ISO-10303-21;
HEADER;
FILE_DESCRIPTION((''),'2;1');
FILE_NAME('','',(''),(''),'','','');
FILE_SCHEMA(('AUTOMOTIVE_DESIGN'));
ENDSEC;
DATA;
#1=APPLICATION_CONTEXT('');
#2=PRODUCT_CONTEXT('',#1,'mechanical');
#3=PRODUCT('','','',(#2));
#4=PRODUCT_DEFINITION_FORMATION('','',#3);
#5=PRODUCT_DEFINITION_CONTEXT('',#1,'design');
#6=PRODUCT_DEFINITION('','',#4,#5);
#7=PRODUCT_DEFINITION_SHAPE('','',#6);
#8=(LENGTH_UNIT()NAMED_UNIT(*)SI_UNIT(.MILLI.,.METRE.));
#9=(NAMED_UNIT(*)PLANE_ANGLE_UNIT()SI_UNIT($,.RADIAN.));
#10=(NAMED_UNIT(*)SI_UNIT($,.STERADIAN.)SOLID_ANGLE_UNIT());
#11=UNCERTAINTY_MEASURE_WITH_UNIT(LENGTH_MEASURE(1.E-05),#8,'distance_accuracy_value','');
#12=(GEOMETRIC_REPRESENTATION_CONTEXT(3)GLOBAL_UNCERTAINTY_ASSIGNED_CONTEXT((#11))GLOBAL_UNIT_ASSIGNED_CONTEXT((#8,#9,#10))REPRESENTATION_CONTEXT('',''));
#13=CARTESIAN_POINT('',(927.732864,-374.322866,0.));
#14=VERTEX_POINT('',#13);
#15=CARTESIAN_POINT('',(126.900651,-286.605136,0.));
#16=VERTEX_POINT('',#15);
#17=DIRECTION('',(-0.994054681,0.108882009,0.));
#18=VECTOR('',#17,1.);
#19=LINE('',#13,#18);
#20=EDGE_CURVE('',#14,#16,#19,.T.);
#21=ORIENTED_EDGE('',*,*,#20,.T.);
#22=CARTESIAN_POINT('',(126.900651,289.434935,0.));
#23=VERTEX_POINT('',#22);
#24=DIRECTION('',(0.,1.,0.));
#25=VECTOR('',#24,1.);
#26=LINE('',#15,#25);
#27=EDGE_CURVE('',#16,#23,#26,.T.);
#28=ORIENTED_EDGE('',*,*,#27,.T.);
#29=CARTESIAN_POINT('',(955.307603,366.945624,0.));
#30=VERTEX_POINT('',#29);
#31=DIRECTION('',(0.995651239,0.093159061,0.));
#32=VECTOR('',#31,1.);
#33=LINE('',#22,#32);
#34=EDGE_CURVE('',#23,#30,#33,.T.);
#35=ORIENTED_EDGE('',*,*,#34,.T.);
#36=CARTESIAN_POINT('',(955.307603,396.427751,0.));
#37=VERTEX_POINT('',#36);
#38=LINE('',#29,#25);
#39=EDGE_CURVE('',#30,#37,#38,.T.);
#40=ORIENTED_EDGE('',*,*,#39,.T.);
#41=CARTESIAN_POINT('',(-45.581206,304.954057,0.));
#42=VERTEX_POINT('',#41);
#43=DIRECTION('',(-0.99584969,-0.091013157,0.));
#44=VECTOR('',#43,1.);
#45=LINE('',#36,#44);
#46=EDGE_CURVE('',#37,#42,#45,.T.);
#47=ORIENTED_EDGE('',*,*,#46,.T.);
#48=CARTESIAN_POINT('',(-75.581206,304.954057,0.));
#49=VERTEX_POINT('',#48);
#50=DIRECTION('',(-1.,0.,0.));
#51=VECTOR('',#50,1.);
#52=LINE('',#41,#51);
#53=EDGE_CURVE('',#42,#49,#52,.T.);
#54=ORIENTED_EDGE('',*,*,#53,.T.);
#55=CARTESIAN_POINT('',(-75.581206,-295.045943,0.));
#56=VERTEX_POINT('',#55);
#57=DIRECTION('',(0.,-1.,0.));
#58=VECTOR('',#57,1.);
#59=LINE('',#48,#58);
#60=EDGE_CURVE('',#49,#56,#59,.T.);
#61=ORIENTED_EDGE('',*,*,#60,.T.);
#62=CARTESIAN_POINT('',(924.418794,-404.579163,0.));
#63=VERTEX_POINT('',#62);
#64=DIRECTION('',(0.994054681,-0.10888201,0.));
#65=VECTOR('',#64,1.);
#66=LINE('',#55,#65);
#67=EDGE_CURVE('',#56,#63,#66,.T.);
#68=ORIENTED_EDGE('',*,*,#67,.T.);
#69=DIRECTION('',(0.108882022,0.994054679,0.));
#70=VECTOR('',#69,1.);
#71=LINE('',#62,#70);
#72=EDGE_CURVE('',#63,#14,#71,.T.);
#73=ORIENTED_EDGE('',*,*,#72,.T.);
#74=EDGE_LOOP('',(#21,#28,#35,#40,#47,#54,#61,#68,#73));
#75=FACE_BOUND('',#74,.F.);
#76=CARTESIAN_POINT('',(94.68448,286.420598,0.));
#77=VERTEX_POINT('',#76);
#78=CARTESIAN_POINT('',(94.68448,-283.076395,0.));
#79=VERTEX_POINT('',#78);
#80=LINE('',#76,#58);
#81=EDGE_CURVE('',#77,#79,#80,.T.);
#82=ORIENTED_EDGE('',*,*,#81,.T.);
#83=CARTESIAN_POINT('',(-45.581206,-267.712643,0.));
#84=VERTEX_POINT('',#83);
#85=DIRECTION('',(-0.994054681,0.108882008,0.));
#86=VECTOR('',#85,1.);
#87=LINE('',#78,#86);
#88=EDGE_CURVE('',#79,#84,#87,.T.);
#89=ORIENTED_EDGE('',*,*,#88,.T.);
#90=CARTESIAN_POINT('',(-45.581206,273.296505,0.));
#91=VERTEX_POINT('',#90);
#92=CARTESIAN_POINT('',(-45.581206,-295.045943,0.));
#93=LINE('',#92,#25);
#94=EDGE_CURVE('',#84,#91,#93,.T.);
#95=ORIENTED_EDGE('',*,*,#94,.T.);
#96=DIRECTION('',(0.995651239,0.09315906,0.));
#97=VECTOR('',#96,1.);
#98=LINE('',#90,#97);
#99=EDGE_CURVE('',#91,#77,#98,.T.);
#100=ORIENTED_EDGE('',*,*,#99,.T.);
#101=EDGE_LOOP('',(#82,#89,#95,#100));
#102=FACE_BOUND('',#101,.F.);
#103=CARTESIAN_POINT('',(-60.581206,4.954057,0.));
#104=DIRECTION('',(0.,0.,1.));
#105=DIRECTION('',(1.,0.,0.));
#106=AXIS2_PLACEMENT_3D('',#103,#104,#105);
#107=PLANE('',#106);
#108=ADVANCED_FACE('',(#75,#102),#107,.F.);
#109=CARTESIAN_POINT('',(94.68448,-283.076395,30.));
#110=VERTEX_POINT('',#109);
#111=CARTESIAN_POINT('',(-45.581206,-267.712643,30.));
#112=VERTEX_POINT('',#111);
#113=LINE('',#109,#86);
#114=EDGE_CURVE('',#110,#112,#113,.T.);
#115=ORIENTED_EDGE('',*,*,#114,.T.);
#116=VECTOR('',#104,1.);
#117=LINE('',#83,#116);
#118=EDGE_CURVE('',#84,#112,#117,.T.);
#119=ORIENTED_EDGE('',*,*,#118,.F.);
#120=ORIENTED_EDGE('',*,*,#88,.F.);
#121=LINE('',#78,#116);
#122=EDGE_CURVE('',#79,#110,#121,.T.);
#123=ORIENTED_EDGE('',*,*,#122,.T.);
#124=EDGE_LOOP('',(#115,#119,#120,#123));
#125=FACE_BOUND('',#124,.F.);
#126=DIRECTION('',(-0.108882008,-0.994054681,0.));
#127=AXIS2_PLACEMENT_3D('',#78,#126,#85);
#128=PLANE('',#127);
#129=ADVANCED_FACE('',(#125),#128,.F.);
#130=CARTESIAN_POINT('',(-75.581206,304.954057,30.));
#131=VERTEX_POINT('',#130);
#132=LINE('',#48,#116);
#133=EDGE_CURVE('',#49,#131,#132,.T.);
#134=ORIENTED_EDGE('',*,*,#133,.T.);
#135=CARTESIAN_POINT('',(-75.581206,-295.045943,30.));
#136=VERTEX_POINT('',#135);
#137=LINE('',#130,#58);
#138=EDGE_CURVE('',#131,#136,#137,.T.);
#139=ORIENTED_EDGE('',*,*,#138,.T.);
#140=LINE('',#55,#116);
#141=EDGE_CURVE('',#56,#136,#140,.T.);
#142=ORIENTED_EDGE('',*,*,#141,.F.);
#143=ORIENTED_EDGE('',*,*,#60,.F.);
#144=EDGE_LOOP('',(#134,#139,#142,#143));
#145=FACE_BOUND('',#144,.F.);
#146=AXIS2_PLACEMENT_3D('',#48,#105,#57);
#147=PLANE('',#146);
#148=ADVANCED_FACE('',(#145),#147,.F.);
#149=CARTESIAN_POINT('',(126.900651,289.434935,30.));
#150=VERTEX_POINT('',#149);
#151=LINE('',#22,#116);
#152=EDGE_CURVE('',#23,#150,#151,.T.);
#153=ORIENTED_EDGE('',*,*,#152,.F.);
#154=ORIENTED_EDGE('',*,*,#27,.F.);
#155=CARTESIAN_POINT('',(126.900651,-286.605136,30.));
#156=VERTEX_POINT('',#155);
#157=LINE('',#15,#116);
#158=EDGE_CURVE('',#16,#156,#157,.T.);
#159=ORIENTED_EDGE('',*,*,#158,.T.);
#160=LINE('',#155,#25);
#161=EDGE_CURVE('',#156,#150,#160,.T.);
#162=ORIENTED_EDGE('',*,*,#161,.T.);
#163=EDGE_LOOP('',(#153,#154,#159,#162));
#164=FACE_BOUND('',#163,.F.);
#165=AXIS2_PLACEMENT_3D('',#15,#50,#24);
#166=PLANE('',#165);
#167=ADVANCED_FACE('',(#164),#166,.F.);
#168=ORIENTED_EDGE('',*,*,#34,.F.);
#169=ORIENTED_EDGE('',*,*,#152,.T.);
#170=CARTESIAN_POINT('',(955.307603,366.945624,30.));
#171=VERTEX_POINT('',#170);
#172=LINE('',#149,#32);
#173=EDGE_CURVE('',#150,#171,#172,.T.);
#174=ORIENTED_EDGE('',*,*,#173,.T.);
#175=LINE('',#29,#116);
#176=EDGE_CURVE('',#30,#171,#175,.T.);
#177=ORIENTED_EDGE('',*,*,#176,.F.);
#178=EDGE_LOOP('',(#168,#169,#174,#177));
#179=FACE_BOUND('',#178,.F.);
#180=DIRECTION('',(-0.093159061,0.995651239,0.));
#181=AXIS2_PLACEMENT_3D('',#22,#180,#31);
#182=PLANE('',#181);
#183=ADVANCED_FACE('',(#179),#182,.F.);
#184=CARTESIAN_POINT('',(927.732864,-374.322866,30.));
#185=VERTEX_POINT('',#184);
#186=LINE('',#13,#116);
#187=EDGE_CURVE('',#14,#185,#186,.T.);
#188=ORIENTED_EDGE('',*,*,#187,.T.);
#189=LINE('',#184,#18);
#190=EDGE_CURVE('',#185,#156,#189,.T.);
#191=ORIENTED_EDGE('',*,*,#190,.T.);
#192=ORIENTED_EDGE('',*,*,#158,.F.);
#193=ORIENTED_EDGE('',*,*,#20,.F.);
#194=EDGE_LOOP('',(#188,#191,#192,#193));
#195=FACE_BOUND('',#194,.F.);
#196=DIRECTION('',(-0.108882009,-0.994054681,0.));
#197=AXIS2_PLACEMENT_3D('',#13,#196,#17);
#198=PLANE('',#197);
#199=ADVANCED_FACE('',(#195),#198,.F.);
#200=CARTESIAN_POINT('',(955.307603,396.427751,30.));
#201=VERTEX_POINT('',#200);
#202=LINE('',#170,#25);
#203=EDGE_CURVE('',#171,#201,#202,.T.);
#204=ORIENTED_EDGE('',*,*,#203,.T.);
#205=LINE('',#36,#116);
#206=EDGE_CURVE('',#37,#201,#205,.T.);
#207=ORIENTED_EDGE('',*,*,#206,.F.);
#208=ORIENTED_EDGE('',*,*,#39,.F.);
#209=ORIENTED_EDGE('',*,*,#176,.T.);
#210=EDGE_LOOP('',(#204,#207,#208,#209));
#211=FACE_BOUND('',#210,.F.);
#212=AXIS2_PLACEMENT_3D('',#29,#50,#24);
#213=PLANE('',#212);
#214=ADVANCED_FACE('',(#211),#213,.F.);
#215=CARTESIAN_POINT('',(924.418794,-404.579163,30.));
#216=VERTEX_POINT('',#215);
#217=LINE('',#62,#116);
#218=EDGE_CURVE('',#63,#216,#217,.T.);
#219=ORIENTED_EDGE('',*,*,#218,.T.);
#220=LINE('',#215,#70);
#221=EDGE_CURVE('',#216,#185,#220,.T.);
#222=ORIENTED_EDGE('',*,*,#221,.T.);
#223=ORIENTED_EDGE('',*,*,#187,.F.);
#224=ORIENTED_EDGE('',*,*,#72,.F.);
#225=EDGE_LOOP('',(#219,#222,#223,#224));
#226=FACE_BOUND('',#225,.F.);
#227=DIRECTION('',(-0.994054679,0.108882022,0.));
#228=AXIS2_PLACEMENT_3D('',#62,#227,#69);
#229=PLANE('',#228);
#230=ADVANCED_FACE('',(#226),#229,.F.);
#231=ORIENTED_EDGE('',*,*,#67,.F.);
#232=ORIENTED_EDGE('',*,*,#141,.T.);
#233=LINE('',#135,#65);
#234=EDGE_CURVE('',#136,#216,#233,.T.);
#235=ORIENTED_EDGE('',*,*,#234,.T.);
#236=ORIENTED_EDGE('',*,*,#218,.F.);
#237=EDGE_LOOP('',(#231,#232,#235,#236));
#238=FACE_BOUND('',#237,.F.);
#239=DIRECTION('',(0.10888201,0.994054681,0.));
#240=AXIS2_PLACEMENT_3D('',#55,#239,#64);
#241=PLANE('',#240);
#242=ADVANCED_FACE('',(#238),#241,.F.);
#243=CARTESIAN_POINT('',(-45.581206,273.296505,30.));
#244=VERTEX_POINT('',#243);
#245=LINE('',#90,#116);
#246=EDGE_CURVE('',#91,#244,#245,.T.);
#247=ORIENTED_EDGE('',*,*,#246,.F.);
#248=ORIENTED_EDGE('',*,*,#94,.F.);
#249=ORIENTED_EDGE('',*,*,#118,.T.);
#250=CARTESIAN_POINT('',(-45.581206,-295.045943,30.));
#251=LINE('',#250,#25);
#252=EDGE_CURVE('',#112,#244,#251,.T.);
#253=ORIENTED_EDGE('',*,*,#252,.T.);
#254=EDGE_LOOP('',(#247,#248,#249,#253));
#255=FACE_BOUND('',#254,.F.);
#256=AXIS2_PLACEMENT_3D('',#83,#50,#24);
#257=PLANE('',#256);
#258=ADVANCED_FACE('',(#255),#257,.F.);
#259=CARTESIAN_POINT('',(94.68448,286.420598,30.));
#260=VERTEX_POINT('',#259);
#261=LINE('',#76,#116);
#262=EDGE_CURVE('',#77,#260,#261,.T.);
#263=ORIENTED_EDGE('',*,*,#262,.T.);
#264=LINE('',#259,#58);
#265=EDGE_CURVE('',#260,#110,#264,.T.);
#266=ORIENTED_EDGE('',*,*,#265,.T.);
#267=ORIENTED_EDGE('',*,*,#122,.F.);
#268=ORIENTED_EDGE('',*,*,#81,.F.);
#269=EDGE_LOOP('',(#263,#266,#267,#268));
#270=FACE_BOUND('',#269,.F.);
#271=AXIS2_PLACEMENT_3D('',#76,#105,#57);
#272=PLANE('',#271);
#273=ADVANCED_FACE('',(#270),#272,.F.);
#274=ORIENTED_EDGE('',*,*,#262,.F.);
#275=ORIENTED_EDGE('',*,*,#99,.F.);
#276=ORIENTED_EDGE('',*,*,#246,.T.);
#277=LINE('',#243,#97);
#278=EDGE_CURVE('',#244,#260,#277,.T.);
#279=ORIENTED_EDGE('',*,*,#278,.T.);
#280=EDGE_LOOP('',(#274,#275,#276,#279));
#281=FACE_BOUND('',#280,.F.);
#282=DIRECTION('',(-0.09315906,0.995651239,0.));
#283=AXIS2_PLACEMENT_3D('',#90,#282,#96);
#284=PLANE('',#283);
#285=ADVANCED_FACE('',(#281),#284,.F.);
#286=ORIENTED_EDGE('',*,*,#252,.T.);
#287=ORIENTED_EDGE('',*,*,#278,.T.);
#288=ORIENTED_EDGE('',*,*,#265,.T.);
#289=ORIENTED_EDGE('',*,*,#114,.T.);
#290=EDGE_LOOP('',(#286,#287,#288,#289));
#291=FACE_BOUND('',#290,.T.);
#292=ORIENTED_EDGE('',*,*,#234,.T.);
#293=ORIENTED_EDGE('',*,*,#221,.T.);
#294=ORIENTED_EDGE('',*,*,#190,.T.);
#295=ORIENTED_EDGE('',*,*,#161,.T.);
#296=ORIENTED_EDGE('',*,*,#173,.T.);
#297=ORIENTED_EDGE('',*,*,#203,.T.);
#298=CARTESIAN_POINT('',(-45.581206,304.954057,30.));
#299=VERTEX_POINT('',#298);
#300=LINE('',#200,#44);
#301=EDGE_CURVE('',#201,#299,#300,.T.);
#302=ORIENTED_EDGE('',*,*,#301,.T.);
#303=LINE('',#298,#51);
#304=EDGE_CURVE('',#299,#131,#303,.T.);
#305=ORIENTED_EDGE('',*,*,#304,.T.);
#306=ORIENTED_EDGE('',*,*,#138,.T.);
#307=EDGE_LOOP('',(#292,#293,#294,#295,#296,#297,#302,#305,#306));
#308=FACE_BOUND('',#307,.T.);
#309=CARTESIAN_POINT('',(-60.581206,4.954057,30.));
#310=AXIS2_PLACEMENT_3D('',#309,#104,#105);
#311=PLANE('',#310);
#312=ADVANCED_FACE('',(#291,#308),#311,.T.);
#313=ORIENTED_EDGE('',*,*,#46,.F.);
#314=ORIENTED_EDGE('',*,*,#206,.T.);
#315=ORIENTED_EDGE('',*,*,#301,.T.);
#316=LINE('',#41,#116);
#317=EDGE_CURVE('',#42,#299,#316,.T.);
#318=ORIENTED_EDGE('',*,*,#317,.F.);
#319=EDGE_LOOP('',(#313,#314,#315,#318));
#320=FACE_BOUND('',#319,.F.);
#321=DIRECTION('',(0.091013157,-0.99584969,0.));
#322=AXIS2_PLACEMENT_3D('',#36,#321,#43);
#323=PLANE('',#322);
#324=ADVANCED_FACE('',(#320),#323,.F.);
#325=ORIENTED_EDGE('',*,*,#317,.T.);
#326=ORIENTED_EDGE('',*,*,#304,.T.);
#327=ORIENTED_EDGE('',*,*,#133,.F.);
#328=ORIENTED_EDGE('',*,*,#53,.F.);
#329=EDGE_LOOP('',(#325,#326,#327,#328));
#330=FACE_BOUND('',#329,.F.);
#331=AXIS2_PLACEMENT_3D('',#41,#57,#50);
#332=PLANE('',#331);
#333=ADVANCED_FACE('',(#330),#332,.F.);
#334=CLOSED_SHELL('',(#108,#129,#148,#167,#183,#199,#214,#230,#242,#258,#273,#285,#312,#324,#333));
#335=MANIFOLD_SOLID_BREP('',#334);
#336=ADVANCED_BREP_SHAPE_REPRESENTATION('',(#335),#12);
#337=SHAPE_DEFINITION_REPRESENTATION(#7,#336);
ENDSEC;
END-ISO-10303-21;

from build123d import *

# Parameters (mm, degrees)
F1_DEPTH = 30


with BuildPart() as f1:
    # F0 (on Top) → F1 (new body)
    with BuildSketch(Plane.XY):
        Polygon((-45.581206, 304.954057), (-75.581206, 304.954057), (-75.581206, -295.045943), (-45.581206, -295.045943), (-45.581206, -267.712643), (-45.581206, 273.296505), align=None)
        Polygon((-45.581206, -295.045943), (-75.581206, -295.045943), (924.418794, -404.579163), (927.732864, -374.322866), (126.900651, -286.605136), (94.68448, -283.076395), (-45.581206, -267.712643), align=None)
        Polygon((126.900651, 289.434935), (94.68448, 286.420598), (94.68448, -283.076395), (126.900651, -286.605136), align=None)
        Polygon((955.307603, 396.427751), (-45.581206, 304.954057), (-45.581206, 273.296505), (94.68448, 286.420598), (126.900651, 289.434935), (955.307603, 366.945624), align=None)
    extrude(amount=F1_DEPTH)


solid = f1.part
